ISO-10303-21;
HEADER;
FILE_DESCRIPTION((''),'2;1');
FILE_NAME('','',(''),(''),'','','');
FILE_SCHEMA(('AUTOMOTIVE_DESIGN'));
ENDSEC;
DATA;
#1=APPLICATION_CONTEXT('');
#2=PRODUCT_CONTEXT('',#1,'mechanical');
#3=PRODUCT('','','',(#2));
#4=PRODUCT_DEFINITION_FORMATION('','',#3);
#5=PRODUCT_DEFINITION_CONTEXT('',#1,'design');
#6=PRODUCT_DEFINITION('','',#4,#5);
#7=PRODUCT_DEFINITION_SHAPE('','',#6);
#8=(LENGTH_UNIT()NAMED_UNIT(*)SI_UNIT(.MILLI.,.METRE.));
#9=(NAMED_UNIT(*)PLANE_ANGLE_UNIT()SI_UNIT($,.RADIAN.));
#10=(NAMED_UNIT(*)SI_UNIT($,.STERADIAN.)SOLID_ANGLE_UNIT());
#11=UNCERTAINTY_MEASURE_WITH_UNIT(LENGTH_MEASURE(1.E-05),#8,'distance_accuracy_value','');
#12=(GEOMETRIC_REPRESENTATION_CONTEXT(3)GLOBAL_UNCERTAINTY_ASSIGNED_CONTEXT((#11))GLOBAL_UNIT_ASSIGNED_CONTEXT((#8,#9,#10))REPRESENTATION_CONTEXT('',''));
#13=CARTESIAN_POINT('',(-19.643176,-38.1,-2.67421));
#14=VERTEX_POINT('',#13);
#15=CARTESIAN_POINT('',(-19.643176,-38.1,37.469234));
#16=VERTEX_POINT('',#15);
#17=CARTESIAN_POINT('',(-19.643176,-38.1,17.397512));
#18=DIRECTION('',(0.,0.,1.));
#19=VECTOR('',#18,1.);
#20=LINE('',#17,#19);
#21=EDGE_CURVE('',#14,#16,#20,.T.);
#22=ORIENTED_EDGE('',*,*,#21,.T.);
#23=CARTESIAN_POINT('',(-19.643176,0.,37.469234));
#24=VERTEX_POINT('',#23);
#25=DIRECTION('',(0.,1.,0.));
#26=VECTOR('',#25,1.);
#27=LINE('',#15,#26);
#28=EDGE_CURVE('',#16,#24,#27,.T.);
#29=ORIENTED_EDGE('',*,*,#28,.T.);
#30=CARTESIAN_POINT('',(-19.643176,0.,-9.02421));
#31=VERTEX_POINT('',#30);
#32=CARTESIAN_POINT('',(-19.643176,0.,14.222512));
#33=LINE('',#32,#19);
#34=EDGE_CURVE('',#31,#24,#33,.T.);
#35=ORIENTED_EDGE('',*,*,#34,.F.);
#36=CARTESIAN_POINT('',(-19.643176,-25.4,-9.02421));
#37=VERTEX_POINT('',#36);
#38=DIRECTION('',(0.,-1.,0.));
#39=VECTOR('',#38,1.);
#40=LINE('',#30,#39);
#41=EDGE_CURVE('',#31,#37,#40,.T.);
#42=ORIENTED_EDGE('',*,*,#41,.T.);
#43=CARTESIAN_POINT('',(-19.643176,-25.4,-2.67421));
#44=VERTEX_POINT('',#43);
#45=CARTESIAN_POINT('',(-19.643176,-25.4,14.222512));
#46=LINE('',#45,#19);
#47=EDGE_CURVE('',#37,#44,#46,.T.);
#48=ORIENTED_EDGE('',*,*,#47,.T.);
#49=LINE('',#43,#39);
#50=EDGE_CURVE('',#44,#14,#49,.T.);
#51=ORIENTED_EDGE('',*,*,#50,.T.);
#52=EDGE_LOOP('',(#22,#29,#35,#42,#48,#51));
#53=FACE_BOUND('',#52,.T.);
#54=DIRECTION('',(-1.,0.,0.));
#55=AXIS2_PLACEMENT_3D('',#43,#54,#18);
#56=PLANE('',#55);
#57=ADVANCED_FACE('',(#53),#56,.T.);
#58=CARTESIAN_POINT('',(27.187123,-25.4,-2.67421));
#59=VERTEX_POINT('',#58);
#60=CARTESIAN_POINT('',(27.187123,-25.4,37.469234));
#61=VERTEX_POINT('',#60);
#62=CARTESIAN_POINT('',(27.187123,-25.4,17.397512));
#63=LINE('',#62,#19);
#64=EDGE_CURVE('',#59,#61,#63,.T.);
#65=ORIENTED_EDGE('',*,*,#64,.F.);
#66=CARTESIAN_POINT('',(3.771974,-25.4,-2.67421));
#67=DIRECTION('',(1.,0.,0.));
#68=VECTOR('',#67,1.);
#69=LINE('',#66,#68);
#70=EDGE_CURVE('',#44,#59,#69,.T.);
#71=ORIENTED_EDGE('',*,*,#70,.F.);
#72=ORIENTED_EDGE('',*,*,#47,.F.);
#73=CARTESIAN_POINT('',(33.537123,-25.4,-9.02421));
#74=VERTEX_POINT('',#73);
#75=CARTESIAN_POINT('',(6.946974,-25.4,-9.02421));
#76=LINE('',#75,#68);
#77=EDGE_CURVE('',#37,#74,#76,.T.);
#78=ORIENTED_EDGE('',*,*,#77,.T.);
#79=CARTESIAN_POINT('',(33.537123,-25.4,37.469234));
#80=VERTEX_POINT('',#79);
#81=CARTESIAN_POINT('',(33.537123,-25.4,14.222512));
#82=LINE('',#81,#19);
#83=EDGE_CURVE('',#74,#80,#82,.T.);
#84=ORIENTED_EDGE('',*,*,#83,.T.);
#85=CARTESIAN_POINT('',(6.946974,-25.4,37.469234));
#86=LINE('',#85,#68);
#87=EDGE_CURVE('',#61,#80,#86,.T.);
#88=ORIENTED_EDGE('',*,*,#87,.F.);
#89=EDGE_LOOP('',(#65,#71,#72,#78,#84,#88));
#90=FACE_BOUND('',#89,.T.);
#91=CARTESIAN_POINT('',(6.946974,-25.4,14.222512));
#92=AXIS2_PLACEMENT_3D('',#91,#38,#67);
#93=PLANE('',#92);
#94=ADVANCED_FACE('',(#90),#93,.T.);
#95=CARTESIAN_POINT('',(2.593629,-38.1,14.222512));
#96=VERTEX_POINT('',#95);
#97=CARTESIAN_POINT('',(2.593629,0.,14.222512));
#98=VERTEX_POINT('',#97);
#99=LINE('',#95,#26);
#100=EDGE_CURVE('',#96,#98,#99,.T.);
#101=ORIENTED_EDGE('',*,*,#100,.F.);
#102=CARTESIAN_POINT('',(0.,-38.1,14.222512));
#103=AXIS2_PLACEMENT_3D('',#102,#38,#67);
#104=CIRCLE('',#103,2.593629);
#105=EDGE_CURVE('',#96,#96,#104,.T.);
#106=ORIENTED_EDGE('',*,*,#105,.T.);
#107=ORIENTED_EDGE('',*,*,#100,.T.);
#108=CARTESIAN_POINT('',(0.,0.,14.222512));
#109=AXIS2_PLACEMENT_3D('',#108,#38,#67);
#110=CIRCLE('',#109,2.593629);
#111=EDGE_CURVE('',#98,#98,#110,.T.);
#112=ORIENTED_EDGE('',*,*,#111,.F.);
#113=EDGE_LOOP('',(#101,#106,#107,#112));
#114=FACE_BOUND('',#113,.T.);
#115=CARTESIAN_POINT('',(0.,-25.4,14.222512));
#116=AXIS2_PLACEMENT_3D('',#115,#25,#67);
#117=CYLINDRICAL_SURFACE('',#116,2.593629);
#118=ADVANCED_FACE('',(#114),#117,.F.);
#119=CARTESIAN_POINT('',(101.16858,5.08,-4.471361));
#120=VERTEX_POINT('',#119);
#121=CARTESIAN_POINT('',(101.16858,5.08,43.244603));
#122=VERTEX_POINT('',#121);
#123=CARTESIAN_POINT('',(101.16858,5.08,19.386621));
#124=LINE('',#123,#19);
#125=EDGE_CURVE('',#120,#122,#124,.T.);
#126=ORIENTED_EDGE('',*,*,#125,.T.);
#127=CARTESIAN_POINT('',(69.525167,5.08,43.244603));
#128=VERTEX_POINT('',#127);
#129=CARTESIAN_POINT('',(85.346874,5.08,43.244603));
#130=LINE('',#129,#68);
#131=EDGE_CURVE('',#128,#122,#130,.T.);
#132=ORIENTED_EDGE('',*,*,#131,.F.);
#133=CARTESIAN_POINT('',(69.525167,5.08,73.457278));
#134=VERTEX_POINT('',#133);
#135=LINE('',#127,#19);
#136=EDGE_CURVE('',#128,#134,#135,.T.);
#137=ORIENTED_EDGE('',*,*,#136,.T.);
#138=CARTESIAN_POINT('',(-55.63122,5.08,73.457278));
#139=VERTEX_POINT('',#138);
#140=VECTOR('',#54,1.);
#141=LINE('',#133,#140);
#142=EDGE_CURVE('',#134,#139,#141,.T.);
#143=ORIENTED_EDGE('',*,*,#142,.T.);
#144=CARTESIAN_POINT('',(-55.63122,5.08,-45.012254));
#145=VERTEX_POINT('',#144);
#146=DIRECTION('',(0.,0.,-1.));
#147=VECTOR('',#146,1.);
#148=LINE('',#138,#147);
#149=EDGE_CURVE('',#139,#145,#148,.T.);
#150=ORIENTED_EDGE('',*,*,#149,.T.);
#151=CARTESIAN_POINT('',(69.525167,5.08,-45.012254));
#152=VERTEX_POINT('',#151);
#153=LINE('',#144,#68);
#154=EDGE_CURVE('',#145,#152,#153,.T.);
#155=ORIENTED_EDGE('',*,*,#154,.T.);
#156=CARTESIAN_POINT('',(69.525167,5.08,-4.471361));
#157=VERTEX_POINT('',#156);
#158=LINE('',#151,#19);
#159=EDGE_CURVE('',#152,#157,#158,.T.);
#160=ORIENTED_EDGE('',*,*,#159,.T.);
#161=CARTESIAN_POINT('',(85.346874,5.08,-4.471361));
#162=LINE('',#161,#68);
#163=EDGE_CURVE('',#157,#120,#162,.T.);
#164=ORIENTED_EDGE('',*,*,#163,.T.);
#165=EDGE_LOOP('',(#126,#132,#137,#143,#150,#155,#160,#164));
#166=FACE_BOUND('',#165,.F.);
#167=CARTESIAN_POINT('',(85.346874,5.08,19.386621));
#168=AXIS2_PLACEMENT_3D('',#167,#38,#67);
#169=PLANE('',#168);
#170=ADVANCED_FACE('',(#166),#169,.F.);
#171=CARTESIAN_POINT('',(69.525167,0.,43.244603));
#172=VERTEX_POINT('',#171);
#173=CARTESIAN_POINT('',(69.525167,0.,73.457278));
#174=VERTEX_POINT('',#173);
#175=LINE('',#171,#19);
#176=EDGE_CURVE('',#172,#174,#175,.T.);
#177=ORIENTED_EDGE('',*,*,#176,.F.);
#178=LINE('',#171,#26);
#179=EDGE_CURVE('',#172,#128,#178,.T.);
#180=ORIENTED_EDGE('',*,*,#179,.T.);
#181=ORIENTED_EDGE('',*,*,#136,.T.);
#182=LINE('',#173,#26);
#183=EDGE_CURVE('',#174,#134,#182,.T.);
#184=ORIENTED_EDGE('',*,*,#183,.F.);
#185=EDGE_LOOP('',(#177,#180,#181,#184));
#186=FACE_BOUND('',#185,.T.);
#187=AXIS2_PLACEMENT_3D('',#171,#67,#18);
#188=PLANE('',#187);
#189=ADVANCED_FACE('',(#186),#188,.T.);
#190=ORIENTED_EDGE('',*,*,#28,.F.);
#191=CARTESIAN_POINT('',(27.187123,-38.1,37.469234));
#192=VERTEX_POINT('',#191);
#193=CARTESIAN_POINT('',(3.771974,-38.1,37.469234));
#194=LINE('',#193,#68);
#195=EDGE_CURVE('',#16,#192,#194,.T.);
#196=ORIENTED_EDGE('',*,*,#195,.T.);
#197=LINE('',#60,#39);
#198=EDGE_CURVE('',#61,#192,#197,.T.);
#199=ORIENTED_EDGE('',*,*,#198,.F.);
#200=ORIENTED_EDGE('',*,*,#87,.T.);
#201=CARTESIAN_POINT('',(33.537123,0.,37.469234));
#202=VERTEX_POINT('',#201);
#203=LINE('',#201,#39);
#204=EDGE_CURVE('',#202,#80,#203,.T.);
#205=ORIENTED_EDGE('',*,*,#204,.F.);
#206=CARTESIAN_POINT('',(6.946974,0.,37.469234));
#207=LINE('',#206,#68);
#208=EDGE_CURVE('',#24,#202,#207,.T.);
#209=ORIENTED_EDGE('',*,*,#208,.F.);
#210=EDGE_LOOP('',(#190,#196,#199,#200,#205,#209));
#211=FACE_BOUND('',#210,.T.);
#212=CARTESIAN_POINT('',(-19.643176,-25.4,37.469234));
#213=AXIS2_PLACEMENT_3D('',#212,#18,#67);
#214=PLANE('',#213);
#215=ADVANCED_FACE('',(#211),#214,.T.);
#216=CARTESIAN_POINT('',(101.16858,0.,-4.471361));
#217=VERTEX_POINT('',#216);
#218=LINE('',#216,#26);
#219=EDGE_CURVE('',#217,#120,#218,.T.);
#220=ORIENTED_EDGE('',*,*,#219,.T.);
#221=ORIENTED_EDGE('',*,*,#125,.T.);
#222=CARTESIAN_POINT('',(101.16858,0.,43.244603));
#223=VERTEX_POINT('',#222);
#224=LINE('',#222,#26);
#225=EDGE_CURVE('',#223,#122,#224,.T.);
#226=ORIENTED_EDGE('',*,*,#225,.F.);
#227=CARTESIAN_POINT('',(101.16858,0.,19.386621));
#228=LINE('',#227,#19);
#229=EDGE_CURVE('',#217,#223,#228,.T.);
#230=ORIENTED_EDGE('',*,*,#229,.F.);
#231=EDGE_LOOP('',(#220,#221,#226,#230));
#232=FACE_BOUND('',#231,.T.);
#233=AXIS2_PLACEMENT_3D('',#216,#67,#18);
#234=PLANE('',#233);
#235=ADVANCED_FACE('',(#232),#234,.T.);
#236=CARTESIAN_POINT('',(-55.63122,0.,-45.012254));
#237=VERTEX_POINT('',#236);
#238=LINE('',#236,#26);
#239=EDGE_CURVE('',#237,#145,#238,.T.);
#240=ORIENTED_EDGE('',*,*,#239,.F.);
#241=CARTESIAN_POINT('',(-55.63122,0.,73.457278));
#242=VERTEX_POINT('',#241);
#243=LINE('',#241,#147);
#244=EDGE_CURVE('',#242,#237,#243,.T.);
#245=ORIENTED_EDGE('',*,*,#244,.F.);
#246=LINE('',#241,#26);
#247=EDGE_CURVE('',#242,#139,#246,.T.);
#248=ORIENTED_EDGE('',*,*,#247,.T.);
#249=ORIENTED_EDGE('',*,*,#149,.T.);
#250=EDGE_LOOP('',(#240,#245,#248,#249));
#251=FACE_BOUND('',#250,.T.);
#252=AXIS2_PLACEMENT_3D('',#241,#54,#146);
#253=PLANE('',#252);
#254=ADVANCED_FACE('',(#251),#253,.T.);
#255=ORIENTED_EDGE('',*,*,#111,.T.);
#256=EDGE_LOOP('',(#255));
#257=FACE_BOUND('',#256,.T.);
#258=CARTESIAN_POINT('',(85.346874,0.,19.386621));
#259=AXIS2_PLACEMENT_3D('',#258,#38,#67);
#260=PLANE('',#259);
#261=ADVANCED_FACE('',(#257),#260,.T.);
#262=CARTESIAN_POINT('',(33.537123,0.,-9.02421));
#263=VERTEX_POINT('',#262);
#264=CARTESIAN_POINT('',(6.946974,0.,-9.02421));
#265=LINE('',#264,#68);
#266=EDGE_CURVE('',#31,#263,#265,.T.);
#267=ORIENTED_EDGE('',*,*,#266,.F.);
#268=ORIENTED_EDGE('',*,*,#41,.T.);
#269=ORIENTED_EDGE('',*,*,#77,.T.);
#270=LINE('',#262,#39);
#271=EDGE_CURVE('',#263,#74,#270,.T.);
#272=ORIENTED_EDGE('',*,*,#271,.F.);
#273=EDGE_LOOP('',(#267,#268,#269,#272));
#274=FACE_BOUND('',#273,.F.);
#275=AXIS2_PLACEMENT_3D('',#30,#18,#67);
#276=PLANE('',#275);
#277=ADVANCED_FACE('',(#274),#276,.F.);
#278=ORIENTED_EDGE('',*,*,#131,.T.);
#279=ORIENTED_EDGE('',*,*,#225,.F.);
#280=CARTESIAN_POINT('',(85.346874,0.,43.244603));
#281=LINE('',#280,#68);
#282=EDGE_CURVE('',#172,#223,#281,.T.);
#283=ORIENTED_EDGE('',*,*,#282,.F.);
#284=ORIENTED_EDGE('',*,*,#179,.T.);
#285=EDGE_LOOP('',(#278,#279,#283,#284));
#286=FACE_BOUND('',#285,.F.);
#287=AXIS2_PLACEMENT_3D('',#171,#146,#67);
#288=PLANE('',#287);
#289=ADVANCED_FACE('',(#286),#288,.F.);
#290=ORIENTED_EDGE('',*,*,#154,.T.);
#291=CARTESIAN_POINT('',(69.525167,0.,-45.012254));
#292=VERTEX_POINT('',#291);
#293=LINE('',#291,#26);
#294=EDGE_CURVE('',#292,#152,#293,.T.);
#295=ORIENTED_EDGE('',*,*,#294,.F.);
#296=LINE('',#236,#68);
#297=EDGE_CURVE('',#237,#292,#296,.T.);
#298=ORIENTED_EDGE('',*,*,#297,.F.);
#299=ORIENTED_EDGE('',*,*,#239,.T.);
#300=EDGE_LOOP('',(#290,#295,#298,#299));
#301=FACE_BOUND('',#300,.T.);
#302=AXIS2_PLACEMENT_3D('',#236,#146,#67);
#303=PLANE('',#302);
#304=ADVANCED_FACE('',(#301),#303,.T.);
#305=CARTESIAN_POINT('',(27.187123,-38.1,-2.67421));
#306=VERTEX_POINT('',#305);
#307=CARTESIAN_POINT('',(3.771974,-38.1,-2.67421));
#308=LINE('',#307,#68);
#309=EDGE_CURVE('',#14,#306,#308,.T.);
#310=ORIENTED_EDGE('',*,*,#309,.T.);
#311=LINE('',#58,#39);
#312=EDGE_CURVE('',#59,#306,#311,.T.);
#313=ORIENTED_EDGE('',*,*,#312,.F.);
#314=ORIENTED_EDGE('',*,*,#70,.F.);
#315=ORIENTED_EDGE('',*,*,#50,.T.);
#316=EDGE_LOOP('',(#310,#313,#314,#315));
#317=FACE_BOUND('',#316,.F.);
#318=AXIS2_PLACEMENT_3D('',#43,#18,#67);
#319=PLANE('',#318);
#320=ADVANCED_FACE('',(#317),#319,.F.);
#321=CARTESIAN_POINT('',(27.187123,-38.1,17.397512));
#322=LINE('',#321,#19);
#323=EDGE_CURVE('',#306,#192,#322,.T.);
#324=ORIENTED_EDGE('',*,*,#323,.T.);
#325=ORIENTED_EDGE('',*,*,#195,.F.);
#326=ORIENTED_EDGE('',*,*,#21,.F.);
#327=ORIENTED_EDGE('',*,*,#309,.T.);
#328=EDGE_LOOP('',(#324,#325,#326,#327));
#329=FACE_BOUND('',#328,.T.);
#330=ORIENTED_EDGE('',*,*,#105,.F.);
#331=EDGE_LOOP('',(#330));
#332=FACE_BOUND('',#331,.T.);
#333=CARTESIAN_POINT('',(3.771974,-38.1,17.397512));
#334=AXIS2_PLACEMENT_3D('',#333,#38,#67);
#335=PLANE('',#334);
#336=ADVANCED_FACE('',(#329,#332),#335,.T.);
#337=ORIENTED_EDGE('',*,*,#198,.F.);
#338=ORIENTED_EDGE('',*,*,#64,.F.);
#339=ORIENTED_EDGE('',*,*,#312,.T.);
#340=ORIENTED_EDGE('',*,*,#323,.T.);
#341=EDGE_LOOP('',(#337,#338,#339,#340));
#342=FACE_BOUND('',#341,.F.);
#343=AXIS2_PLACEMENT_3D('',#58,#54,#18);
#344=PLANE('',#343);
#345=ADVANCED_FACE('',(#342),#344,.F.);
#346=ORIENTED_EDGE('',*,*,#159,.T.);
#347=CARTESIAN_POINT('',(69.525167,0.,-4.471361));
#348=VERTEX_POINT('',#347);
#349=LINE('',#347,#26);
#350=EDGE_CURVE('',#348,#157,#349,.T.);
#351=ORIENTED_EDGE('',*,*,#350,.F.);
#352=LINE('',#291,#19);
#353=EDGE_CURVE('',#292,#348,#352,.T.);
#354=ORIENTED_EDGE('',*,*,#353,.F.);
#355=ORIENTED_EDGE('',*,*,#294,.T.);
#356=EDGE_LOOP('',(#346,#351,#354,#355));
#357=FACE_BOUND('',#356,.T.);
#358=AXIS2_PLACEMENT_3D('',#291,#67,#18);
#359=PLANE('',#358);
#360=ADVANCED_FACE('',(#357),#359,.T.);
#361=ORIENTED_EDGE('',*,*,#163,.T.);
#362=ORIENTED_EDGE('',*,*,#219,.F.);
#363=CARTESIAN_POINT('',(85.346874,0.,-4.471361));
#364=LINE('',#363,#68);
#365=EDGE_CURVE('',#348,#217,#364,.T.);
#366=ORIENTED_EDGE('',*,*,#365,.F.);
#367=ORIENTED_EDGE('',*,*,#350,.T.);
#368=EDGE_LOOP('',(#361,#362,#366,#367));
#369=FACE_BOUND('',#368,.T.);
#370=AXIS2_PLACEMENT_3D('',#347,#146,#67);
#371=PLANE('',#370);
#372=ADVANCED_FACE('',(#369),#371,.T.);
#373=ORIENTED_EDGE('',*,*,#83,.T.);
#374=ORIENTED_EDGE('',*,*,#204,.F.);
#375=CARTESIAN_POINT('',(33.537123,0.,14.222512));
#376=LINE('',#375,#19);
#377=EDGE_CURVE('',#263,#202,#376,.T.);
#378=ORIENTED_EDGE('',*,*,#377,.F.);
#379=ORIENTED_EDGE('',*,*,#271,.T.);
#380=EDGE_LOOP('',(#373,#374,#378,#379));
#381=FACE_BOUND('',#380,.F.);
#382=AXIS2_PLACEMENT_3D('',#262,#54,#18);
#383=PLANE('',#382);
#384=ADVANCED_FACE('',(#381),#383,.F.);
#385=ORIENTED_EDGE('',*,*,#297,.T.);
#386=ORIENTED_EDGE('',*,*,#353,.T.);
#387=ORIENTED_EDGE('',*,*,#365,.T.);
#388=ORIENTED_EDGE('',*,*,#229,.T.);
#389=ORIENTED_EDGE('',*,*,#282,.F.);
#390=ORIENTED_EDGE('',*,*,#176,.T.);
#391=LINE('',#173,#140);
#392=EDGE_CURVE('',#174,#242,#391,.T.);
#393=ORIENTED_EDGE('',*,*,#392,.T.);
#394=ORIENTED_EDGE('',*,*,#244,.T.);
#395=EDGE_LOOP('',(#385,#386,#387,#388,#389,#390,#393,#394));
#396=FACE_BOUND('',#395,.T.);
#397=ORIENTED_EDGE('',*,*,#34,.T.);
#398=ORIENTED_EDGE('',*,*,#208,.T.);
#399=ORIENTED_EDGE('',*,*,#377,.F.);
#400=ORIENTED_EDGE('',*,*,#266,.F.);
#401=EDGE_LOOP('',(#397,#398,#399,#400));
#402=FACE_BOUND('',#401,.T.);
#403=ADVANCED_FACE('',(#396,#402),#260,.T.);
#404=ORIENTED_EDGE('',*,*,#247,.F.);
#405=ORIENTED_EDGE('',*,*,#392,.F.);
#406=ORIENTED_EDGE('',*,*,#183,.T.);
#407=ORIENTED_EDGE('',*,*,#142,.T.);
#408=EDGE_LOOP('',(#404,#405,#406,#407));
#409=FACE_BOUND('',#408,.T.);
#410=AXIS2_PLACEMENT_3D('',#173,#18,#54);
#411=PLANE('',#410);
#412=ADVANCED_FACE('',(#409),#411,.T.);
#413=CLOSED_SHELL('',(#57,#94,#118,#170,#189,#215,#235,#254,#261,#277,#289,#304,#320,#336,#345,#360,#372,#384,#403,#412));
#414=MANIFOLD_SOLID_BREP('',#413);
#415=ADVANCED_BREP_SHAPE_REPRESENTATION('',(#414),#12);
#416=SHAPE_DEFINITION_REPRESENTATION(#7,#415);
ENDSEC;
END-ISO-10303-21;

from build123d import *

# Parameters (mm, degrees)
F0_W     = 53.1802996993
F0_H     = 46.4934445918
F0_R     = 2.5936293998
F1_DEPTH = 25.4
F2_W     = 46.8302996993
F2_H     = 40.1434445918
F2_R     = 2.5936293998
F3_DEPTH = 12.7
F4_W     = 31.6434130073
F4_H     = 47.7159637958
F4_W_2   = 96.1484760046
F5_DEPTH = 5.08
F4_W_3   = 7.8468769789
F4_H_2   = 9.7482251003


with BuildPart() as f1:
    # F0 (on Front) → F1 (new body)
    with BuildSketch(Plane.XZ):
        with Locations((6.9469735026, 14.2225120217)):
            Rectangle(F0_W, F0_H)
        with Locations((0, 14.2225120217)):
            Circle(F0_R, mode=Mode.SUBTRACT)
    extrude(amount=F1_DEPTH)

    # F2 (on face) → F3 (join)
    with BuildSketch(Plane.XZ.offset(25.4)):
        with Locations((3.7719735026, 17.3975120217)):
            Rectangle(F2_W, F2_H)
        with Locations((0, 14.2225120217)):
            Circle(F2_R, mode=Mode.SUBTRACT)
    extrude(amount=F3_DEPTH)

    # F4 (on Front) → F5 (join)
    with BuildSketch(Plane.XZ):
        with Locations((85.3468738496, 19.3866211921)):
            Rectangle(F4_W, F4_H)
        Polygon((69.525167346, -45.0122542679), (69.525167346, -4.4713607058), (-26.6233086586, -4.4713607058), (-26.6233086586, 43.24460309), (69.525167346, 43.24460309), (69.525167346, 73.4572783113), (-55.6312203407, 73.4572783113), (-55.6312203407, -45.0122542679), align=None)
        with Locations((21.4509293437, 19.3866211921)):
            Rectangle(F4_W_2, F4_H)
    extrude(amount=-F5_DEPTH)


with BuildPart() as f5:
    # F4 (on Front) → F5, piece 2 (new body)
    with BuildSketch(Plane.XZ):
        with Locations((111.8179112673, 1.5299557708)):
            Rectangle(F4_W_3, F4_H_2)
    extrude(amount=-F5_DEPTH)


solid = f1.part
